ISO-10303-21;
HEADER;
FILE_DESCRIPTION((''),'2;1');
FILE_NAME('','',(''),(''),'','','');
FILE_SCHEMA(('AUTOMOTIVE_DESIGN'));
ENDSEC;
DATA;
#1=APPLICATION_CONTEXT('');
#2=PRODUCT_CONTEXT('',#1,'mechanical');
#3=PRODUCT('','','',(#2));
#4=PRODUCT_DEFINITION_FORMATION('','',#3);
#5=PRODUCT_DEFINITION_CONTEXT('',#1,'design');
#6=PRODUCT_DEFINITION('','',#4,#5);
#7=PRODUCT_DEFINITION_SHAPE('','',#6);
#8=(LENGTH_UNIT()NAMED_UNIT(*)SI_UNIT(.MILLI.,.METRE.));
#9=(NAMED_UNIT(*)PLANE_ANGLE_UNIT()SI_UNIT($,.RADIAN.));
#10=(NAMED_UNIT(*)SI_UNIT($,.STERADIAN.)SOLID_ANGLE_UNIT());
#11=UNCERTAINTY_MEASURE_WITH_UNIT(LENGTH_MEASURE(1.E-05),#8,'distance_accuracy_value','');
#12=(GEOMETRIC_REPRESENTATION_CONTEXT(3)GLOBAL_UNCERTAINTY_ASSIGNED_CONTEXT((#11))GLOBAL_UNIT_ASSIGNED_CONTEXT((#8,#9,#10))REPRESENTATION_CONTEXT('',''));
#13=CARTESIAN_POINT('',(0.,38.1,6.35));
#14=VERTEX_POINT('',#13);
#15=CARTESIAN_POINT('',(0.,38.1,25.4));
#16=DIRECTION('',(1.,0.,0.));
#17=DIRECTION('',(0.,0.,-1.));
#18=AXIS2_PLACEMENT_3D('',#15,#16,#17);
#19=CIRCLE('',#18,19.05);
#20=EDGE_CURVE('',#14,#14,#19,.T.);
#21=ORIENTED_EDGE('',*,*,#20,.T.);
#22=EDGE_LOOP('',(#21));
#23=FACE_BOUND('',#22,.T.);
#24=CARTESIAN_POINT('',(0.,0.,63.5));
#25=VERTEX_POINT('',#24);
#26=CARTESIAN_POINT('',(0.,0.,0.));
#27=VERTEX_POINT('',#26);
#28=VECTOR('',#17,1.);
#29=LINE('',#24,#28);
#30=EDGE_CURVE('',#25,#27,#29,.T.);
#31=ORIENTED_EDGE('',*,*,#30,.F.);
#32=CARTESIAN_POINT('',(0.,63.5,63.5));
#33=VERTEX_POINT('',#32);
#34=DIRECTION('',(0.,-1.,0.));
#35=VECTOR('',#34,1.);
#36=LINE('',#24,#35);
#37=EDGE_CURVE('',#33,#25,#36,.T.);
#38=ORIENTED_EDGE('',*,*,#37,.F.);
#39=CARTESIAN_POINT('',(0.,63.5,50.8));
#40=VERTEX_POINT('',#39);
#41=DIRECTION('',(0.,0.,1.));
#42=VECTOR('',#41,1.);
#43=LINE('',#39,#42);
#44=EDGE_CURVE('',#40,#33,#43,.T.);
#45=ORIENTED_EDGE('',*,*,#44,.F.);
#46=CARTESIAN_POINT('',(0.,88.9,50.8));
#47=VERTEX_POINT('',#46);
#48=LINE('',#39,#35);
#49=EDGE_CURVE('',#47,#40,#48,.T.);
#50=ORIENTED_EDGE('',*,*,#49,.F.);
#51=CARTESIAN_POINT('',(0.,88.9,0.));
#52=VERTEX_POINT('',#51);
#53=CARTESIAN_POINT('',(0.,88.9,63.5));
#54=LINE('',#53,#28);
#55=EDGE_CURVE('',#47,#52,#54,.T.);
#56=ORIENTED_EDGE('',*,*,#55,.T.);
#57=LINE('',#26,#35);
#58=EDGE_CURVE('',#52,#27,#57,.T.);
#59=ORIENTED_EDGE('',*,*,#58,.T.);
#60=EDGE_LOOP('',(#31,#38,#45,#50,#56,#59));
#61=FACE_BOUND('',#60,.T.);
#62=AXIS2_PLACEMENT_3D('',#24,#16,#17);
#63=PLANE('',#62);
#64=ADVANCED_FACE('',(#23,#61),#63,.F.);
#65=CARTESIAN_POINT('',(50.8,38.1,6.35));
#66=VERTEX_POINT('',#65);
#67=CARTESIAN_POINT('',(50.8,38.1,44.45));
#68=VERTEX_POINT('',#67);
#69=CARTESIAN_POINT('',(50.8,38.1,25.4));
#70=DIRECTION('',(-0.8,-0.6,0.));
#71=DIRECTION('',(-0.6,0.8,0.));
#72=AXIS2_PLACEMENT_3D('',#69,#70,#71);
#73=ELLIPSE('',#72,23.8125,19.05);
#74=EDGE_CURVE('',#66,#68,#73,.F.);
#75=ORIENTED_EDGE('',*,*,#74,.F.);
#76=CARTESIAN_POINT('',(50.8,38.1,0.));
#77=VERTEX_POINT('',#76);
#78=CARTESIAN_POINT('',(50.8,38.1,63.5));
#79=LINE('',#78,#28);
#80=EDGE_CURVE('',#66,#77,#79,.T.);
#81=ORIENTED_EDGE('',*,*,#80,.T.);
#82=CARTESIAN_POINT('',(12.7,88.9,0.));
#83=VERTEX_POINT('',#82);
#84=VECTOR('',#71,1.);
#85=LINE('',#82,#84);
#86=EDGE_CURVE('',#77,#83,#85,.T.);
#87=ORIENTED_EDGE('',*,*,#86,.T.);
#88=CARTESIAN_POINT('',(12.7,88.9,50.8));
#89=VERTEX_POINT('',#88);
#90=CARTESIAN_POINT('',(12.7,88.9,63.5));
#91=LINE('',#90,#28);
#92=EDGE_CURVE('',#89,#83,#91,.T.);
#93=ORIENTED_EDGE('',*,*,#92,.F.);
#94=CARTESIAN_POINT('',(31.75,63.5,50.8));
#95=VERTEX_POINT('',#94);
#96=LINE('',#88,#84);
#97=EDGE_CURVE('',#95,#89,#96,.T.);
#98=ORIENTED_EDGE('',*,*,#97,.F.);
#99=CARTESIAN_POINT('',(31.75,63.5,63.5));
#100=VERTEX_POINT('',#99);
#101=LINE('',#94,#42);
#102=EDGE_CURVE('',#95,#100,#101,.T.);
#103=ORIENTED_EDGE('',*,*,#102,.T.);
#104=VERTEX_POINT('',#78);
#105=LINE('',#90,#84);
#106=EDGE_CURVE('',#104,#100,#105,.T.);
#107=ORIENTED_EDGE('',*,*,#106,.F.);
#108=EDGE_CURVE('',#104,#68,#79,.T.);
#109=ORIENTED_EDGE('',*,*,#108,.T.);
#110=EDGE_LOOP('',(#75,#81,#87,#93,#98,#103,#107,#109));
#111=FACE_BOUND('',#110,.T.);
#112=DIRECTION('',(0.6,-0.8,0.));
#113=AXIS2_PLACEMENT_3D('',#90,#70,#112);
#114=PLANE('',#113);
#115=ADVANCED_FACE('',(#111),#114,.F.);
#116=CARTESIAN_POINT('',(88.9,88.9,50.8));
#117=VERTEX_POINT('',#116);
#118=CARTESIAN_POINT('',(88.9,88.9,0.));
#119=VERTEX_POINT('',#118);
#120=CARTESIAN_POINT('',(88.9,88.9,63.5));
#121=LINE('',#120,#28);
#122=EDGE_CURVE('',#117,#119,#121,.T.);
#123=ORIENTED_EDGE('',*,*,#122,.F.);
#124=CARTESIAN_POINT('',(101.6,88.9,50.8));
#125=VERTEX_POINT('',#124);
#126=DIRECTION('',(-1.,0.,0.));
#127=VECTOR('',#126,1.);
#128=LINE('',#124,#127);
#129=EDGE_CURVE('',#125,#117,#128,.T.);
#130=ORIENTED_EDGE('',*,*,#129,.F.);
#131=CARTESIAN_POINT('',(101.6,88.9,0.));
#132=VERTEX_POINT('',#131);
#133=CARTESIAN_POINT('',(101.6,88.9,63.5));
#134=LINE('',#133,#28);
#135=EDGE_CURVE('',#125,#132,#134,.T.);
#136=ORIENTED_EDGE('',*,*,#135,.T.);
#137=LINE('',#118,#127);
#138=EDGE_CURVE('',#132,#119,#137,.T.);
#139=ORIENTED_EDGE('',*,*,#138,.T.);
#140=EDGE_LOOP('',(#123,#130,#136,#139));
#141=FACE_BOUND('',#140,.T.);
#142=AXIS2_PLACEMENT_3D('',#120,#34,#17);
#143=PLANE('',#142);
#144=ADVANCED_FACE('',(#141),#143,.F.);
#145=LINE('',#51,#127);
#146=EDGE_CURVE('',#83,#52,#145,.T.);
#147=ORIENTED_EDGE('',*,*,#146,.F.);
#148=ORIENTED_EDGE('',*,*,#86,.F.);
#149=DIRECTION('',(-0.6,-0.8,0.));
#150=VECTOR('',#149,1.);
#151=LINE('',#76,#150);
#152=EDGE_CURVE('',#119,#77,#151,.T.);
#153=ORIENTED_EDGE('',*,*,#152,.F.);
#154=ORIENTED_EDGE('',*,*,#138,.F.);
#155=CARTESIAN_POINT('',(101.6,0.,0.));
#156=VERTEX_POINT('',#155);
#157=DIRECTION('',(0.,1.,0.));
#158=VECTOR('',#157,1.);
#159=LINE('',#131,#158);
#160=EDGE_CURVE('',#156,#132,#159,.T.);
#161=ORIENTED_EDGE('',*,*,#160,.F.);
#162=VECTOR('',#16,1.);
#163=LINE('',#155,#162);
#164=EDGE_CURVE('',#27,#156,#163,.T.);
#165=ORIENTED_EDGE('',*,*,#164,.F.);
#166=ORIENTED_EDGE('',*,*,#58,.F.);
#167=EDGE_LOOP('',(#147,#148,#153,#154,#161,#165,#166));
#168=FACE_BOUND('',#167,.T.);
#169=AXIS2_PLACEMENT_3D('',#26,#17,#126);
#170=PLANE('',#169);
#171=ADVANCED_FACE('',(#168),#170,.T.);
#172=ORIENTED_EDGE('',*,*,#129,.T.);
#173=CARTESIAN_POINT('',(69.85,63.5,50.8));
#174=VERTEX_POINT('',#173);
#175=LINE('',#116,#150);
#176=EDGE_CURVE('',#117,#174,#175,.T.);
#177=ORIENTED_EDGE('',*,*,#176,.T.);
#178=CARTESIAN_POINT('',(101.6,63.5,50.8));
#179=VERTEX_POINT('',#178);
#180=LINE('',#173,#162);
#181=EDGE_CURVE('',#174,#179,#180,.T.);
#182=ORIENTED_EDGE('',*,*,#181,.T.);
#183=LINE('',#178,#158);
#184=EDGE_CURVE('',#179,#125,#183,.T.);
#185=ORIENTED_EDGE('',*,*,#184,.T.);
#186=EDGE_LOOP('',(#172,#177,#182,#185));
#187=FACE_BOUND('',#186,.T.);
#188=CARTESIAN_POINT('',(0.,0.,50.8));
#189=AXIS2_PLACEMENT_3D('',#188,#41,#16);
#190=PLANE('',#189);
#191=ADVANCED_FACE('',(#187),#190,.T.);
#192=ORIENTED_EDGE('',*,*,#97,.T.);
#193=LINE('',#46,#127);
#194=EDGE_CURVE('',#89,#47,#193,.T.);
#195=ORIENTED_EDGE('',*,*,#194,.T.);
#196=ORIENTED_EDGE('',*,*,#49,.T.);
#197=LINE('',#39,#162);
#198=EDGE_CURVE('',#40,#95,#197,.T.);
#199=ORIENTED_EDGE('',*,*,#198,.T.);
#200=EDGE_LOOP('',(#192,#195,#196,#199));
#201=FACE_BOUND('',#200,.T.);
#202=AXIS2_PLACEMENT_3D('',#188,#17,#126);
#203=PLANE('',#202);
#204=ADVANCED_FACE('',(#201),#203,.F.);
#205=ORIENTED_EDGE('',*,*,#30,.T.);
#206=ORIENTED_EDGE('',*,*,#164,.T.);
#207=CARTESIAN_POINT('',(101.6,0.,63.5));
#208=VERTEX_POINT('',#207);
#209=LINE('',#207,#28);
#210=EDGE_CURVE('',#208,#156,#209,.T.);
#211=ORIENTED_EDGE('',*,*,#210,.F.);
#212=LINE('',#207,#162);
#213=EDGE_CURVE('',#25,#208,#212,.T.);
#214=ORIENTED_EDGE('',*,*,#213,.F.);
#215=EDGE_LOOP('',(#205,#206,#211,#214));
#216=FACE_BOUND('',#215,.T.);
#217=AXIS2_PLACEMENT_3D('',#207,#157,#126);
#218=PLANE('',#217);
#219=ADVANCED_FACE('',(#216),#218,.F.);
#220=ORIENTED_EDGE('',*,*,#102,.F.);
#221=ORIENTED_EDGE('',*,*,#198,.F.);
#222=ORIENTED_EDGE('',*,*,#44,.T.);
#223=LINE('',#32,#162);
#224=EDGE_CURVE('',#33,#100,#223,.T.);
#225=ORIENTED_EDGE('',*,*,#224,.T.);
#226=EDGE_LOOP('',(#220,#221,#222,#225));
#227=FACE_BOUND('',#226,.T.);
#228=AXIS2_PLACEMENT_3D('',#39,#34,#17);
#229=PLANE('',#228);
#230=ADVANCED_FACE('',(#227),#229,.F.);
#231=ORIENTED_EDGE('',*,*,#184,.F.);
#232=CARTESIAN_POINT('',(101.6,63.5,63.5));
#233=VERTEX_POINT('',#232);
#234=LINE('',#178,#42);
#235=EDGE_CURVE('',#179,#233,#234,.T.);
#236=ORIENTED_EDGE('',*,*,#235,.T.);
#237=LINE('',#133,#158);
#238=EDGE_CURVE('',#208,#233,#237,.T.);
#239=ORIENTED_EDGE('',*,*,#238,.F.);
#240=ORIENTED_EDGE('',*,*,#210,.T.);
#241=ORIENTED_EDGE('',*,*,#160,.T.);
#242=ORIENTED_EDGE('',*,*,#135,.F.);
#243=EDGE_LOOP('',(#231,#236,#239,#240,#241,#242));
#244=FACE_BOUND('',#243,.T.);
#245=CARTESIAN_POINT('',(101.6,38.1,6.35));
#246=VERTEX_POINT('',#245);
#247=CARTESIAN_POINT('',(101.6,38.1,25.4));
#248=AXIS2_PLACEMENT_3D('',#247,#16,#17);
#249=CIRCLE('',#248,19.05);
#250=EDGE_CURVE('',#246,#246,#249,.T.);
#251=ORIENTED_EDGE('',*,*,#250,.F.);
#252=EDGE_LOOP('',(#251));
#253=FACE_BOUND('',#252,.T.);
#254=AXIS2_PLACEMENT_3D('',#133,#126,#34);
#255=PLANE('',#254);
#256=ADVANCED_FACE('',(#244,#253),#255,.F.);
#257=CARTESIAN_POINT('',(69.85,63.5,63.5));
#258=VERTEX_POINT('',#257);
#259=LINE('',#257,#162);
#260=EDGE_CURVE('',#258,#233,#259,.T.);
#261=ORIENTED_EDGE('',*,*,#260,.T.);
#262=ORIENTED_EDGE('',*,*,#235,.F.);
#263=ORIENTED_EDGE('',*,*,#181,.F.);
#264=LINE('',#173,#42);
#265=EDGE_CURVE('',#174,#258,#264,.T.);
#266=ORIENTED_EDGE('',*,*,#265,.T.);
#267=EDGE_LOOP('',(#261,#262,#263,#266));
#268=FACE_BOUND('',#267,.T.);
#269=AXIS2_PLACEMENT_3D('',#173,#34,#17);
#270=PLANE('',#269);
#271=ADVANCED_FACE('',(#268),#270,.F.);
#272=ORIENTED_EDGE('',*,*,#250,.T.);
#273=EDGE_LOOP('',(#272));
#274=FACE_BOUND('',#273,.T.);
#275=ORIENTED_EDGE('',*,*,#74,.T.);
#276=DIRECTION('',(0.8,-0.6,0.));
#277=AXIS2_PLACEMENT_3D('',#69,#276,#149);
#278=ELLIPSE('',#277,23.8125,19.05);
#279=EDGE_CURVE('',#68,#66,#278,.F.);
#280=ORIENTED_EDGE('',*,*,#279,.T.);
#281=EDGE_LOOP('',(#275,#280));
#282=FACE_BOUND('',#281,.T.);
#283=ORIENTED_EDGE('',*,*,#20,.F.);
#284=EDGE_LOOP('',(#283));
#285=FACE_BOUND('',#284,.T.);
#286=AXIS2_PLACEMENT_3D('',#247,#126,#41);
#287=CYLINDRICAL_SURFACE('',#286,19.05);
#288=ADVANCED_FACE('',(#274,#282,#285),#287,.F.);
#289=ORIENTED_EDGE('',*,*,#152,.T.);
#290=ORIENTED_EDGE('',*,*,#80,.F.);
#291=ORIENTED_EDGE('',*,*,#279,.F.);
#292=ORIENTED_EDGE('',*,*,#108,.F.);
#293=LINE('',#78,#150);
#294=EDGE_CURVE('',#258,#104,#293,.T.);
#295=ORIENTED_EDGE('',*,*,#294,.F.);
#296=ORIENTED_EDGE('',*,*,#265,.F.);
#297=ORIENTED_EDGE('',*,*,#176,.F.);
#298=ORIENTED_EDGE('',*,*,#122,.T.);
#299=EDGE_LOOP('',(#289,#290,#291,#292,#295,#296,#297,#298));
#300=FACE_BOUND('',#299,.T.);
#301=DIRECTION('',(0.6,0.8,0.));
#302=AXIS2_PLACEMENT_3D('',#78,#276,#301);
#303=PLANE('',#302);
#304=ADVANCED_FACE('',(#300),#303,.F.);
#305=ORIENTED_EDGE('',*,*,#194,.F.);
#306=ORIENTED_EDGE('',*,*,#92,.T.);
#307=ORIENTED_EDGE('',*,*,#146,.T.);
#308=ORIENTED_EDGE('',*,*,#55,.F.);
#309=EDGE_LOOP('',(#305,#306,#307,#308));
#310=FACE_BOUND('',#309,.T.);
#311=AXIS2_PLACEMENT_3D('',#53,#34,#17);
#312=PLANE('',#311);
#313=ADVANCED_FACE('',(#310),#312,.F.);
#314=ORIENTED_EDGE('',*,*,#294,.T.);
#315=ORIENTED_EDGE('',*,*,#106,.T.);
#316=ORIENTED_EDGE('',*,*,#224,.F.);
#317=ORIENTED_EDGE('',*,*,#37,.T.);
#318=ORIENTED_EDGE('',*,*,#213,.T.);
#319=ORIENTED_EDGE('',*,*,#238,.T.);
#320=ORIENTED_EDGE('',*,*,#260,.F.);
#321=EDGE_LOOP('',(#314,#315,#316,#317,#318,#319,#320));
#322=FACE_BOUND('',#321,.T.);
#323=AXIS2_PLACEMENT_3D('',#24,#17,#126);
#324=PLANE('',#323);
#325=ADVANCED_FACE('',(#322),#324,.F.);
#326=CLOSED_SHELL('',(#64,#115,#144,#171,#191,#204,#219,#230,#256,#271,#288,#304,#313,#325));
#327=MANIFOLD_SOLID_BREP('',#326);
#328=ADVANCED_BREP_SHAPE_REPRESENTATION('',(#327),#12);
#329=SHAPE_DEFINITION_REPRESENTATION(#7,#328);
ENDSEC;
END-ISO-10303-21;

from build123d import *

# Parameters (mm, degrees)
BOSS_EXTRUDE1_DEPTH = 63.5
SKETCH2_R           = 19.05
CUT_EXTRUDE1_DEPTH  = 102.6
CUT_EXTRUDE2_DEPTH  = 12.7


with BuildPart() as part:
    # Sketch1 → Boss-Extrude1 (new body)
    with BuildSketch(Plane.XY):
        Polygon((0, 0), (0, 88.9), (12.7, 88.9), (50.8, 38.1), (88.9, 88.9), (101.6, 88.9), (101.6, 0), align=None)
    extrude(amount=BOSS_EXTRUDE1_DEPTH)

    # Sketch2 → Cut-Extrude1 (cut, through all)
    with BuildSketch(Plane(origin=(0, 0, 0), x_dir=(0, 0, -1), z_dir=(1, 0, 0))):
        with Locations((-25.4, 38.1)):
            Circle(SKETCH2_R)
    extrude(amount=CUT_EXTRUDE1_DEPTH, mode=Mode.SUBTRACT)

    # Sketch3 → Cut-Extrude2 (cut)
    with BuildSketch(Plane.XY.offset(63.5)):
        Polygon((0, 63.5), (31.75, 63.5), (12.7, 88.9), (0, 88.9), align=None)
        Polygon((69.85, 63.5), (101.6, 63.5), (101.6, 88.9), (88.9, 88.9), align=None)
    extrude(amount=-CUT_EXTRUDE2_DEPTH, mode=Mode.SUBTRACT)


solid = part.part
